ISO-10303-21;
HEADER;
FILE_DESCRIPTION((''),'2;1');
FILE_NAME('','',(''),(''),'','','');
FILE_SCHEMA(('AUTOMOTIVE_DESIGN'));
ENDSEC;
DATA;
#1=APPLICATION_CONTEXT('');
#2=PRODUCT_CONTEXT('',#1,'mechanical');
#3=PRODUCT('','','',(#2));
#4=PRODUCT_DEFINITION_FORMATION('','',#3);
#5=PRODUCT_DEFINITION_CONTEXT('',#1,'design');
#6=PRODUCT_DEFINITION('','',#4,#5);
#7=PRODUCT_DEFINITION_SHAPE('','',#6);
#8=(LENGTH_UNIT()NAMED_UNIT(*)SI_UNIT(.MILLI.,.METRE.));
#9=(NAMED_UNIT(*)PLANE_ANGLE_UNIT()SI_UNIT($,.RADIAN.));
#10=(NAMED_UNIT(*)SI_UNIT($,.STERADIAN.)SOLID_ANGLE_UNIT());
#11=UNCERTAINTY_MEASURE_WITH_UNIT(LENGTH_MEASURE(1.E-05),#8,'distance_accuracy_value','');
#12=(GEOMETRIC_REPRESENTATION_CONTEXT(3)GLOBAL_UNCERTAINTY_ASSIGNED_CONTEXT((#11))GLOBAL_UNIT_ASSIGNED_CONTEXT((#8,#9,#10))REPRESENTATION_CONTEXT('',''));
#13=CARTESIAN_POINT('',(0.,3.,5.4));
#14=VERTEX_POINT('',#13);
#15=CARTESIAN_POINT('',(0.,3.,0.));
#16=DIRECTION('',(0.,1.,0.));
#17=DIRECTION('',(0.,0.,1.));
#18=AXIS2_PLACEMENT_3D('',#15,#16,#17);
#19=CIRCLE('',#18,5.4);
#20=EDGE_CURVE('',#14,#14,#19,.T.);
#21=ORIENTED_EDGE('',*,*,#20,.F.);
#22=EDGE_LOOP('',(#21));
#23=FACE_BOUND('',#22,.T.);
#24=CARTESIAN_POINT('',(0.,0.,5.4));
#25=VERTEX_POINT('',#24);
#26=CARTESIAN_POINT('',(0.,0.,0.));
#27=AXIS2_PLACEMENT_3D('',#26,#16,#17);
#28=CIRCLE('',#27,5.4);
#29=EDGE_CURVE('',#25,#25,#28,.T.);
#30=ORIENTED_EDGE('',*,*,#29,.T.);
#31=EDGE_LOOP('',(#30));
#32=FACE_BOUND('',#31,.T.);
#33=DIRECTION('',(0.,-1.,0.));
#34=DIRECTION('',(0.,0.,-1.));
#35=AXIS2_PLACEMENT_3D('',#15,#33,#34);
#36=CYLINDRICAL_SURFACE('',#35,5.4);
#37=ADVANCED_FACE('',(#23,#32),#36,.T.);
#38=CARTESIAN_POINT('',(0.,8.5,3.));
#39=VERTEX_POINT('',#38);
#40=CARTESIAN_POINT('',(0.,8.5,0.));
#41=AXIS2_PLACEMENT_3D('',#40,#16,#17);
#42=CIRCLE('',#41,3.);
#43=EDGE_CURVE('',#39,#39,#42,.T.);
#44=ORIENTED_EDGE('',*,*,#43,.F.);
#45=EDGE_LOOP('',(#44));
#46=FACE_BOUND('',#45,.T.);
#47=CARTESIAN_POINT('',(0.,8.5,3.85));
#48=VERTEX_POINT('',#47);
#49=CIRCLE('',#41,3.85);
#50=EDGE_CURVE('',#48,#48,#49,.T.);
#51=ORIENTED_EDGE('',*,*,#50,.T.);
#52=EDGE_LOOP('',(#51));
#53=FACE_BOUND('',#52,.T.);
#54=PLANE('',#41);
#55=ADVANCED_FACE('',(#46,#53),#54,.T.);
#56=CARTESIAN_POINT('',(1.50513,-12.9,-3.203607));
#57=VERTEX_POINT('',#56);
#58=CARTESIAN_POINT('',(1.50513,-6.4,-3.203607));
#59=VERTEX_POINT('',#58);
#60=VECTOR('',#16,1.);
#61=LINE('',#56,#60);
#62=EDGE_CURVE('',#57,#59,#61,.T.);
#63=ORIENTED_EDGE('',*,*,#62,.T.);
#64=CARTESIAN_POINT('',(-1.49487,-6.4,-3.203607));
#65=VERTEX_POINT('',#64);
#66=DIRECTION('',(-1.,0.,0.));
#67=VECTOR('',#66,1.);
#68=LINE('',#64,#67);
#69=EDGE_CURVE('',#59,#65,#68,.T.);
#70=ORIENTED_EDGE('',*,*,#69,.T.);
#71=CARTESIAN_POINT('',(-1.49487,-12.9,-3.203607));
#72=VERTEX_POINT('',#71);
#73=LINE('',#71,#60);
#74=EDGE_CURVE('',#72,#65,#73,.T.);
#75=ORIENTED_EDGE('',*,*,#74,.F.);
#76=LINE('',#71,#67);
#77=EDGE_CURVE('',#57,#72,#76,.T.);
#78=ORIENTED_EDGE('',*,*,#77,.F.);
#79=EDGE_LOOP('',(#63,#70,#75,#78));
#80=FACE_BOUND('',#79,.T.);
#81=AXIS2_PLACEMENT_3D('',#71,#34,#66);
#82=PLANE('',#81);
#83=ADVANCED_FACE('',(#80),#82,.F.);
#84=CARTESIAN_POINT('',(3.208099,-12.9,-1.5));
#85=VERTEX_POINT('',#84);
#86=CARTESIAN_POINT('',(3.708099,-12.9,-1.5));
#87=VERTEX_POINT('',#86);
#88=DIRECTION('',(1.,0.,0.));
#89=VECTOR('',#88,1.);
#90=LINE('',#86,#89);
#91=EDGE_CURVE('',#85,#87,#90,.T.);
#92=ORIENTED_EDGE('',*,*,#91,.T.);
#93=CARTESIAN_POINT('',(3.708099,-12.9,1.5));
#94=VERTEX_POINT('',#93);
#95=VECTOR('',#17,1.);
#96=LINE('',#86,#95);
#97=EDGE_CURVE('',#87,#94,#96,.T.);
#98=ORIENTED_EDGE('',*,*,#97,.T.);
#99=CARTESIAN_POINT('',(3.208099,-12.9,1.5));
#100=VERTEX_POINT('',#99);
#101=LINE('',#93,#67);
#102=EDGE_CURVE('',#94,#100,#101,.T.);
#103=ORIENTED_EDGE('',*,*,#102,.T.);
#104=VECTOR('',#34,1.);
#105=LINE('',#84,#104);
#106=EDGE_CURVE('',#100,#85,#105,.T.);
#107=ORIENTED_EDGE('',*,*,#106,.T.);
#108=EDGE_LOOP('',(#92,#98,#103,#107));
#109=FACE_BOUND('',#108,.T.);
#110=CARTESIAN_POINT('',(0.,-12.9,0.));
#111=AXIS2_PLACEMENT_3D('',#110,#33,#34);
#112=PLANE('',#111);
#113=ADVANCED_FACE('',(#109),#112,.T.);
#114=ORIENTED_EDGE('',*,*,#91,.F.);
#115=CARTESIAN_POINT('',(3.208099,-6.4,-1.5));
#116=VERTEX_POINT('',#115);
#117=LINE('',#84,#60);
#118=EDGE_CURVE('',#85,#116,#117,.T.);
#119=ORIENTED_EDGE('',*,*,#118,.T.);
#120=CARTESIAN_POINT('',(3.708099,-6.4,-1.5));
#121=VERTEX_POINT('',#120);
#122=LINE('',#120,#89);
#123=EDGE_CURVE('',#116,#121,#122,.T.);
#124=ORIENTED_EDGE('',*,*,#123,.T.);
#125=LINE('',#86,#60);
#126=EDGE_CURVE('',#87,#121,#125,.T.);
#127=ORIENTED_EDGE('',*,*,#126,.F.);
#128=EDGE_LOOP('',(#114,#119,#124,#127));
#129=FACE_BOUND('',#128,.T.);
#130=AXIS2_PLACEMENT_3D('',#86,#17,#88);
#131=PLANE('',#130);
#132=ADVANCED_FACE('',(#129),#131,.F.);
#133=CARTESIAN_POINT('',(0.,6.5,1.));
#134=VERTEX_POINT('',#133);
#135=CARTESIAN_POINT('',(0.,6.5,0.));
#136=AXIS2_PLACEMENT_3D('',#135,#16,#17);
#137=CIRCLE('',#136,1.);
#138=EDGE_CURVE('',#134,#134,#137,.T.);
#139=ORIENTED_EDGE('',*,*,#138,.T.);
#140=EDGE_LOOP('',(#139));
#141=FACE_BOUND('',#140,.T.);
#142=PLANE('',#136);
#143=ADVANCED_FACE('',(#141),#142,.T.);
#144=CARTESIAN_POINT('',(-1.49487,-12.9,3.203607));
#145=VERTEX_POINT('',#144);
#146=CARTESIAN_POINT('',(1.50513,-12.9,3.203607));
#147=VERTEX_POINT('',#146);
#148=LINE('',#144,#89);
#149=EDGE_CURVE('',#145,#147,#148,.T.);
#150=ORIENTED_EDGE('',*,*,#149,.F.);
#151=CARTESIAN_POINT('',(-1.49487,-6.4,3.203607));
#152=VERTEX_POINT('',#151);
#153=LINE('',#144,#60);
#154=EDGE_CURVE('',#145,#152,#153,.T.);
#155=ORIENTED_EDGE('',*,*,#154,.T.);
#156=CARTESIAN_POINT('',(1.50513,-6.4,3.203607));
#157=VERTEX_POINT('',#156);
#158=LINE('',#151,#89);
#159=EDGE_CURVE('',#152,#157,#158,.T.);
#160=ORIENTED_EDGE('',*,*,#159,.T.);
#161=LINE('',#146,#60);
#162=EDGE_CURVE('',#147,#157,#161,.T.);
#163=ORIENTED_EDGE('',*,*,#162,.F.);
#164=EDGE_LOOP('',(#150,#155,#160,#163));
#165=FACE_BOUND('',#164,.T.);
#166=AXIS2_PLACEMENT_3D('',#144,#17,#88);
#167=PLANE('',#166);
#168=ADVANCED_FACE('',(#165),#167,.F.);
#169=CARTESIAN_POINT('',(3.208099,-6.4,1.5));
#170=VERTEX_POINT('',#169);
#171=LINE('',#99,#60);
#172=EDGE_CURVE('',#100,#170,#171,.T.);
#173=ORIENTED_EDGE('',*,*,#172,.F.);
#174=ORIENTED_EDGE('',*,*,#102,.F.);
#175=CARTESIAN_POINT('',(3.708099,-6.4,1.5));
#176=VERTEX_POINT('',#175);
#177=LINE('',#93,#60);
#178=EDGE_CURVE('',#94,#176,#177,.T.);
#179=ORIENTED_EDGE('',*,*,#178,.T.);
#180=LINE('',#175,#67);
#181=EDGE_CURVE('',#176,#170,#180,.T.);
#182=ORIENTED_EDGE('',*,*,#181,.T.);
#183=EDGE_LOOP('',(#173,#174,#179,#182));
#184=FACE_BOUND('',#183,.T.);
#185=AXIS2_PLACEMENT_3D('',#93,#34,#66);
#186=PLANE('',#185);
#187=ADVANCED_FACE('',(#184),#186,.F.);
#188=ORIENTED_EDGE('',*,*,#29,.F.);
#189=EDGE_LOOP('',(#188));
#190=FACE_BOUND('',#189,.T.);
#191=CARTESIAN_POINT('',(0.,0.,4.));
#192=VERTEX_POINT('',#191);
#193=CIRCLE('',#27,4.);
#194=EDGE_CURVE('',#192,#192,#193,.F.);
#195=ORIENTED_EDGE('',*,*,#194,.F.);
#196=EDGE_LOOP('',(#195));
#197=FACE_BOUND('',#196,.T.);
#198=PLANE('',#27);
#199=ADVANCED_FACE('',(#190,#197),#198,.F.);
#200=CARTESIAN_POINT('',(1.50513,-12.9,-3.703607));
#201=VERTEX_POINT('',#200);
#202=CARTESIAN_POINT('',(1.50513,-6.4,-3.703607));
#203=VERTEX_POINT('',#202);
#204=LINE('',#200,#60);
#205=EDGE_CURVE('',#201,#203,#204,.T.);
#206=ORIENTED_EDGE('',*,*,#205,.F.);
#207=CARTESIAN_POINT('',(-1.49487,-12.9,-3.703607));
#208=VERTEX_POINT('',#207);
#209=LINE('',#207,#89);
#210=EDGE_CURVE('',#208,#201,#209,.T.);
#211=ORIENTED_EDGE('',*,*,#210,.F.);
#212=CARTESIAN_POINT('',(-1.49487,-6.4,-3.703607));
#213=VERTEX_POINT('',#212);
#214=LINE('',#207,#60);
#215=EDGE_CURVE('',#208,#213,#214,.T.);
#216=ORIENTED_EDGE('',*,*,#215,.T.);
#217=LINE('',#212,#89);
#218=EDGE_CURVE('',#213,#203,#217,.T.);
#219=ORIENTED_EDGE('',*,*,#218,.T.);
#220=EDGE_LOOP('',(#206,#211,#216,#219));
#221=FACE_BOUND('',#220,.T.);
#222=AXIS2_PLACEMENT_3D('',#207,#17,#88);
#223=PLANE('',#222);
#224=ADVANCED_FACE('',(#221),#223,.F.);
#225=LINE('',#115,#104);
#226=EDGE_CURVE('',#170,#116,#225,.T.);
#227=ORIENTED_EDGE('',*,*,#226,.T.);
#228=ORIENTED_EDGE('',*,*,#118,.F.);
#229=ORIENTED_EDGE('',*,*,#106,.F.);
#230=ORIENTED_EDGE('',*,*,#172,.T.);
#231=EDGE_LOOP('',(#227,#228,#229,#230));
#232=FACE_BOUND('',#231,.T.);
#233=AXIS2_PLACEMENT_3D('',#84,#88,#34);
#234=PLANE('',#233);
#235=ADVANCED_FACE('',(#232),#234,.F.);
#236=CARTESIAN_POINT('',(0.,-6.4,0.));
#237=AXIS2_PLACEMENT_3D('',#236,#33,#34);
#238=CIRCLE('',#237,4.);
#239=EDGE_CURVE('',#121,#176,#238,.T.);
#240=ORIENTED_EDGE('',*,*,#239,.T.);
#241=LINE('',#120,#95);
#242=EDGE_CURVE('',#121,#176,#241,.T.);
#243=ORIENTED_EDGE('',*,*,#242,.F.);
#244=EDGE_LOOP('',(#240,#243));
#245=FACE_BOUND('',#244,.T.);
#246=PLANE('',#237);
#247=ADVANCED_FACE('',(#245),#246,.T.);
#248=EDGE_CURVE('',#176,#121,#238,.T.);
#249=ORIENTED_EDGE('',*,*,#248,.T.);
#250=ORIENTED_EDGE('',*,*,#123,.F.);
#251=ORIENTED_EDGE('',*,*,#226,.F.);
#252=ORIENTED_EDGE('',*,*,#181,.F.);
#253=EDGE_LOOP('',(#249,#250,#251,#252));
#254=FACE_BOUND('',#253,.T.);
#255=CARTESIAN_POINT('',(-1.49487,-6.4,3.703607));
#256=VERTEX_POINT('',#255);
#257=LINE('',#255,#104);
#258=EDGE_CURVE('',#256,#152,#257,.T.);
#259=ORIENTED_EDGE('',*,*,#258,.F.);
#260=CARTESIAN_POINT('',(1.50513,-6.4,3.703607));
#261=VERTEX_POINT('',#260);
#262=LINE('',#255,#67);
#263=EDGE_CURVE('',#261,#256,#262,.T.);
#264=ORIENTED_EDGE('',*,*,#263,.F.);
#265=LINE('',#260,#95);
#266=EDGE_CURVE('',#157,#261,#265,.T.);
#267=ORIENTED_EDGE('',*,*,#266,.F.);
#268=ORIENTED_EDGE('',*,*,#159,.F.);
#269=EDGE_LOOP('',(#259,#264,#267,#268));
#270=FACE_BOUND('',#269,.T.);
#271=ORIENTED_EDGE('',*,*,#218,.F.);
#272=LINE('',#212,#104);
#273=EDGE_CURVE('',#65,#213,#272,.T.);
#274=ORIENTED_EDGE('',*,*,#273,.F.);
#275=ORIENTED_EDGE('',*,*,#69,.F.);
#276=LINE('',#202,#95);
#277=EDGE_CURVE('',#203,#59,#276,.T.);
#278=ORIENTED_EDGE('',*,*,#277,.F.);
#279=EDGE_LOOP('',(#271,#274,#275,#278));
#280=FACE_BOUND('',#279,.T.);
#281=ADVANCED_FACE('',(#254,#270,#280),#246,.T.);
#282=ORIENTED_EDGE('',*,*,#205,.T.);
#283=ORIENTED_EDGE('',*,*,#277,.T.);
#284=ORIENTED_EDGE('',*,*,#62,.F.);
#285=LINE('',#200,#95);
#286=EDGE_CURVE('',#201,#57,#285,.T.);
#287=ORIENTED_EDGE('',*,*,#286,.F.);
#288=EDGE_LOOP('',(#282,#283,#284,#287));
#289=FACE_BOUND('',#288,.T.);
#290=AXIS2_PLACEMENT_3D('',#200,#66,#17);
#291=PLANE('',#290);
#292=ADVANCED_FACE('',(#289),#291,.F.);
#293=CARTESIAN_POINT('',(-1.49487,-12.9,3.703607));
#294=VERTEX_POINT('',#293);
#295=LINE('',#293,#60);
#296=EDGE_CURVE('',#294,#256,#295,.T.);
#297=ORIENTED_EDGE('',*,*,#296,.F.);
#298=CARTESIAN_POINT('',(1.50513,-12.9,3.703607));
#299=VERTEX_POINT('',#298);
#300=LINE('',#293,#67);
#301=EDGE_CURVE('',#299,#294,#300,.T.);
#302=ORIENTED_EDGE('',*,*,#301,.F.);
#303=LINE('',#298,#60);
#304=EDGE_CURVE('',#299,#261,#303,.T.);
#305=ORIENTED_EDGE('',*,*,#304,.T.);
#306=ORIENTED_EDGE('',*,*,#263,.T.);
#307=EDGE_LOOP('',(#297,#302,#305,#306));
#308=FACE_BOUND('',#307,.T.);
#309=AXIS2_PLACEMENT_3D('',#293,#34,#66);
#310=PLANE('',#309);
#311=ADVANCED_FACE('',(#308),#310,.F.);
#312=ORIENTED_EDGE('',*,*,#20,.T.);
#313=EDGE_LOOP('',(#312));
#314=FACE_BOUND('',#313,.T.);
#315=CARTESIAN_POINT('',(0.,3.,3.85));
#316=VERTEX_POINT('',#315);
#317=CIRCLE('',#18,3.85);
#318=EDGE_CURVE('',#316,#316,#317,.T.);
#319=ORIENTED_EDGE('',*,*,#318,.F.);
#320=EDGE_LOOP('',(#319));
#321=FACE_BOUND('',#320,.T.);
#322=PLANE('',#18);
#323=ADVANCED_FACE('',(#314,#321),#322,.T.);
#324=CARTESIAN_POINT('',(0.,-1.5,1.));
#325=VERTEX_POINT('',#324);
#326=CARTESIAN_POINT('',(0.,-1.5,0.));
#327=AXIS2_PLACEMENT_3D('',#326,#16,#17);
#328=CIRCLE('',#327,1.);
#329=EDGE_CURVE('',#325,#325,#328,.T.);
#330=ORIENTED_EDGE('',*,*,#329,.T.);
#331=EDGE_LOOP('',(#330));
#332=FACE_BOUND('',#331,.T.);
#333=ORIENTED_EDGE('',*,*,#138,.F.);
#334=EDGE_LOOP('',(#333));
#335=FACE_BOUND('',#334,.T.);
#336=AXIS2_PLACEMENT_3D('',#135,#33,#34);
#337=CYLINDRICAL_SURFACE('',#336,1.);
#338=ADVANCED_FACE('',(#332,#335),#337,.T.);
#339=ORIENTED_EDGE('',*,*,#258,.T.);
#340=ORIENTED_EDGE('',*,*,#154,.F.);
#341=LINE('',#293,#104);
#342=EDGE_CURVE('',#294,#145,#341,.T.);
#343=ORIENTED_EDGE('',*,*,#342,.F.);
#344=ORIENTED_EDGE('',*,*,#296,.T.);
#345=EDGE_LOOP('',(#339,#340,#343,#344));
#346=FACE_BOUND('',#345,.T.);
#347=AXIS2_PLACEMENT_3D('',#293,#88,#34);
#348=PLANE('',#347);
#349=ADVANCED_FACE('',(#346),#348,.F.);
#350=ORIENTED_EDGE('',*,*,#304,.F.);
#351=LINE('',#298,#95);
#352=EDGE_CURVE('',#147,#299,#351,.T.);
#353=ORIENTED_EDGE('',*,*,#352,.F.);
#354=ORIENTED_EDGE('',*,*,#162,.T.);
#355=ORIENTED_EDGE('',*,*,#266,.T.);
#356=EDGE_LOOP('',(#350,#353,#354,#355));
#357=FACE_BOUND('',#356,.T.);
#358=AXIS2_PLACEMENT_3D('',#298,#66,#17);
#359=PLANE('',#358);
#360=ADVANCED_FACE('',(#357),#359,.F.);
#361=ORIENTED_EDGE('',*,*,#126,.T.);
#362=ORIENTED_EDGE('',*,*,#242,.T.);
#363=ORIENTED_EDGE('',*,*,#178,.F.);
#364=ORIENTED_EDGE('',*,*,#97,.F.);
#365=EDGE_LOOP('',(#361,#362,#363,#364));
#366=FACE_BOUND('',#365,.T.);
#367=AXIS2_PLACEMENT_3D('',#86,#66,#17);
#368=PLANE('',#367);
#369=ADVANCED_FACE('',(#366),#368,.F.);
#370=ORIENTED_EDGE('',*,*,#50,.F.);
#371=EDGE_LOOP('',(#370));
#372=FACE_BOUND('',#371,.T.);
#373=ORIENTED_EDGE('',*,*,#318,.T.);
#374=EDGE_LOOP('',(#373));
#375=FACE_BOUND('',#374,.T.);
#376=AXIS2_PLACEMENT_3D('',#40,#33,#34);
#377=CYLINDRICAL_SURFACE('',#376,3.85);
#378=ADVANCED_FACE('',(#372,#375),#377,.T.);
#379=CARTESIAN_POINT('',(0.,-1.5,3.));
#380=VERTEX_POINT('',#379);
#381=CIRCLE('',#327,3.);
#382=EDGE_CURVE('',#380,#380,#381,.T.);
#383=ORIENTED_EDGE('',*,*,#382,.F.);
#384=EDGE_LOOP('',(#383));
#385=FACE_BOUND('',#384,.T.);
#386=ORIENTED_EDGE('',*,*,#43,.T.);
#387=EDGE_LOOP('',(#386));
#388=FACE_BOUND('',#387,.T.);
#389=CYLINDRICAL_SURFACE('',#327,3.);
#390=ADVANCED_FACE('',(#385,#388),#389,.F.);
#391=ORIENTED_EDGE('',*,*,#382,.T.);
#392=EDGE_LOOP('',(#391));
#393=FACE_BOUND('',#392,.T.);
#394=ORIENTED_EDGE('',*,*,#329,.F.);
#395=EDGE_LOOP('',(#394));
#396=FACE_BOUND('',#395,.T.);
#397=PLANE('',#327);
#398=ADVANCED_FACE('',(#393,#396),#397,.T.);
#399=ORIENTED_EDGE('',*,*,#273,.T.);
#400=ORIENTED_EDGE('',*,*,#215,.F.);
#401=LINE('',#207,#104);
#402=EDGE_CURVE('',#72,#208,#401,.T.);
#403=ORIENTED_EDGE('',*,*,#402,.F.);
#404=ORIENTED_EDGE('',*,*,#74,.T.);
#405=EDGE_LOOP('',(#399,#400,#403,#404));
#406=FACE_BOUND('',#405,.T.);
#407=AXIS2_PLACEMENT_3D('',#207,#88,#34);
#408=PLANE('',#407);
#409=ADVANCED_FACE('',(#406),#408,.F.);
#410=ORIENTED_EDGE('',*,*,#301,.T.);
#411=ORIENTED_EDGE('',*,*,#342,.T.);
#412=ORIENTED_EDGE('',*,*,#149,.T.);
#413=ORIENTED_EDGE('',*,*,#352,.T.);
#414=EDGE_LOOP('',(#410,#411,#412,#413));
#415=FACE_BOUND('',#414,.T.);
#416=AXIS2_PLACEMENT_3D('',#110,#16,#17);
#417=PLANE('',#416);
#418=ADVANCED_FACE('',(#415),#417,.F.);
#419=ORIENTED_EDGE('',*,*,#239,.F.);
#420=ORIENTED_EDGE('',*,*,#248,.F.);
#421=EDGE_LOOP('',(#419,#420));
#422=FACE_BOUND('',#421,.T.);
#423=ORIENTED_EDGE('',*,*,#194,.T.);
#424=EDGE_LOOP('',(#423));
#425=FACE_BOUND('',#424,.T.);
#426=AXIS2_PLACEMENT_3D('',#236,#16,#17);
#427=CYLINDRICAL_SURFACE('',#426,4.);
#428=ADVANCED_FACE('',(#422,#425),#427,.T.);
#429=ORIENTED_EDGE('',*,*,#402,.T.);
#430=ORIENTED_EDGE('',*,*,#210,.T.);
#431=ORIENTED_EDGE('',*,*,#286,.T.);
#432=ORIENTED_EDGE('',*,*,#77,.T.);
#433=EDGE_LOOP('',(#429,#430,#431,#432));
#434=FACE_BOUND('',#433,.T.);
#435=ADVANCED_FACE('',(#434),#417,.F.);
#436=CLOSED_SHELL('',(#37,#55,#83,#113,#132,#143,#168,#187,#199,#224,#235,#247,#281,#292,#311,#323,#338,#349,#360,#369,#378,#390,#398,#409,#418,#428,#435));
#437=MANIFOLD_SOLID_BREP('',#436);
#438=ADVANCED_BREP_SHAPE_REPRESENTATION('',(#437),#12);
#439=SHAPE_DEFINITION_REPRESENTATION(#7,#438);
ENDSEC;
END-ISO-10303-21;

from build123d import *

# Parameters (mm, degrees)
ESQUISSE1_R             = 5.4
BOSS_EXTRU_1_DEPTH      = 3
ESQUISSE2_R             = 3.85
BOSS_EXTRU_2_DEPTH      = 5.5
ESQUISSE3_R             = 4
BOSS_EXTRU_3_DEPTH      = 6.4
ESQUISSE4_W             = 3
ESQUISSE4_H             = 0.5
ESQUISSE4_W_2           = 0.5
ESQUISSE4_H_2           = 3
BOSS_EXTRU_4_DEPTH      = 6.5
ESQUISSE5_R             = 3
ENL_V_MAT_EXTRU_1_DEPTH = 10
ESQUISSE6_R             = 1
BOSS_EXTRU_5_DEPTH      = 8


with BuildPart() as part:
    # Esquisse1 → Boss.-Extru.1 (new body)
    with BuildSketch(Plane(origin=(0, 0, 0), x_dir=(1, 0, 0), z_dir=(0, 1, 0))):
        Circle(ESQUISSE1_R)
    extrude(amount=BOSS_EXTRU_1_DEPTH)

    # Esquisse2 → Boss.-Extru.2 (add)
    with BuildSketch(Plane(origin=(0, 3, 0), x_dir=(1, 0, 0), z_dir=(0, 1, 0))):
        Circle(ESQUISSE2_R)
    extrude(amount=BOSS_EXTRU_2_DEPTH)

    # Esquisse3 → Boss.-Extru.3 (add)
    with BuildSketch(Plane.XZ):
        Circle(ESQUISSE3_R)
    extrude(amount=BOSS_EXTRU_3_DEPTH)

    # Esquisse4 → Boss.-Extru.4 (add)
    with BuildSketch(Plane.XZ.offset(6.4)):
        with Locations((0.005129852, -3.453606957)):
            Rectangle(ESQUISSE4_W, ESQUISSE4_H)
        with Locations((0.005129852, 3.453606957)):
            Rectangle(ESQUISSE4_W, ESQUISSE4_H)
        with Locations((3.458099244, 0)):
            Rectangle(ESQUISSE4_W_2, ESQUISSE4_H_2)
    extrude(amount=BOSS_EXTRU_4_DEPTH)

    # Esquisse5 → Enlèv. mat.-Extru.1 (cut)
    with BuildSketch(Plane(origin=(0, 8.5, 0), x_dir=(1, 0, 0), z_dir=(0, 1, 0))):
        Circle(ESQUISSE5_R)
    extrude(amount=-ENL_V_MAT_EXTRU_1_DEPTH, mode=Mode.SUBTRACT)

    # Esquisse6 → Boss.-Extru.5 (add)
    with BuildSketch(Plane(origin=(0, -1.5, 0), x_dir=(1, 0, 0), z_dir=(0, 1, 0))):
        Circle(ESQUISSE6_R)
    extrude(amount=BOSS_EXTRU_5_DEPTH)


solid = part.part
